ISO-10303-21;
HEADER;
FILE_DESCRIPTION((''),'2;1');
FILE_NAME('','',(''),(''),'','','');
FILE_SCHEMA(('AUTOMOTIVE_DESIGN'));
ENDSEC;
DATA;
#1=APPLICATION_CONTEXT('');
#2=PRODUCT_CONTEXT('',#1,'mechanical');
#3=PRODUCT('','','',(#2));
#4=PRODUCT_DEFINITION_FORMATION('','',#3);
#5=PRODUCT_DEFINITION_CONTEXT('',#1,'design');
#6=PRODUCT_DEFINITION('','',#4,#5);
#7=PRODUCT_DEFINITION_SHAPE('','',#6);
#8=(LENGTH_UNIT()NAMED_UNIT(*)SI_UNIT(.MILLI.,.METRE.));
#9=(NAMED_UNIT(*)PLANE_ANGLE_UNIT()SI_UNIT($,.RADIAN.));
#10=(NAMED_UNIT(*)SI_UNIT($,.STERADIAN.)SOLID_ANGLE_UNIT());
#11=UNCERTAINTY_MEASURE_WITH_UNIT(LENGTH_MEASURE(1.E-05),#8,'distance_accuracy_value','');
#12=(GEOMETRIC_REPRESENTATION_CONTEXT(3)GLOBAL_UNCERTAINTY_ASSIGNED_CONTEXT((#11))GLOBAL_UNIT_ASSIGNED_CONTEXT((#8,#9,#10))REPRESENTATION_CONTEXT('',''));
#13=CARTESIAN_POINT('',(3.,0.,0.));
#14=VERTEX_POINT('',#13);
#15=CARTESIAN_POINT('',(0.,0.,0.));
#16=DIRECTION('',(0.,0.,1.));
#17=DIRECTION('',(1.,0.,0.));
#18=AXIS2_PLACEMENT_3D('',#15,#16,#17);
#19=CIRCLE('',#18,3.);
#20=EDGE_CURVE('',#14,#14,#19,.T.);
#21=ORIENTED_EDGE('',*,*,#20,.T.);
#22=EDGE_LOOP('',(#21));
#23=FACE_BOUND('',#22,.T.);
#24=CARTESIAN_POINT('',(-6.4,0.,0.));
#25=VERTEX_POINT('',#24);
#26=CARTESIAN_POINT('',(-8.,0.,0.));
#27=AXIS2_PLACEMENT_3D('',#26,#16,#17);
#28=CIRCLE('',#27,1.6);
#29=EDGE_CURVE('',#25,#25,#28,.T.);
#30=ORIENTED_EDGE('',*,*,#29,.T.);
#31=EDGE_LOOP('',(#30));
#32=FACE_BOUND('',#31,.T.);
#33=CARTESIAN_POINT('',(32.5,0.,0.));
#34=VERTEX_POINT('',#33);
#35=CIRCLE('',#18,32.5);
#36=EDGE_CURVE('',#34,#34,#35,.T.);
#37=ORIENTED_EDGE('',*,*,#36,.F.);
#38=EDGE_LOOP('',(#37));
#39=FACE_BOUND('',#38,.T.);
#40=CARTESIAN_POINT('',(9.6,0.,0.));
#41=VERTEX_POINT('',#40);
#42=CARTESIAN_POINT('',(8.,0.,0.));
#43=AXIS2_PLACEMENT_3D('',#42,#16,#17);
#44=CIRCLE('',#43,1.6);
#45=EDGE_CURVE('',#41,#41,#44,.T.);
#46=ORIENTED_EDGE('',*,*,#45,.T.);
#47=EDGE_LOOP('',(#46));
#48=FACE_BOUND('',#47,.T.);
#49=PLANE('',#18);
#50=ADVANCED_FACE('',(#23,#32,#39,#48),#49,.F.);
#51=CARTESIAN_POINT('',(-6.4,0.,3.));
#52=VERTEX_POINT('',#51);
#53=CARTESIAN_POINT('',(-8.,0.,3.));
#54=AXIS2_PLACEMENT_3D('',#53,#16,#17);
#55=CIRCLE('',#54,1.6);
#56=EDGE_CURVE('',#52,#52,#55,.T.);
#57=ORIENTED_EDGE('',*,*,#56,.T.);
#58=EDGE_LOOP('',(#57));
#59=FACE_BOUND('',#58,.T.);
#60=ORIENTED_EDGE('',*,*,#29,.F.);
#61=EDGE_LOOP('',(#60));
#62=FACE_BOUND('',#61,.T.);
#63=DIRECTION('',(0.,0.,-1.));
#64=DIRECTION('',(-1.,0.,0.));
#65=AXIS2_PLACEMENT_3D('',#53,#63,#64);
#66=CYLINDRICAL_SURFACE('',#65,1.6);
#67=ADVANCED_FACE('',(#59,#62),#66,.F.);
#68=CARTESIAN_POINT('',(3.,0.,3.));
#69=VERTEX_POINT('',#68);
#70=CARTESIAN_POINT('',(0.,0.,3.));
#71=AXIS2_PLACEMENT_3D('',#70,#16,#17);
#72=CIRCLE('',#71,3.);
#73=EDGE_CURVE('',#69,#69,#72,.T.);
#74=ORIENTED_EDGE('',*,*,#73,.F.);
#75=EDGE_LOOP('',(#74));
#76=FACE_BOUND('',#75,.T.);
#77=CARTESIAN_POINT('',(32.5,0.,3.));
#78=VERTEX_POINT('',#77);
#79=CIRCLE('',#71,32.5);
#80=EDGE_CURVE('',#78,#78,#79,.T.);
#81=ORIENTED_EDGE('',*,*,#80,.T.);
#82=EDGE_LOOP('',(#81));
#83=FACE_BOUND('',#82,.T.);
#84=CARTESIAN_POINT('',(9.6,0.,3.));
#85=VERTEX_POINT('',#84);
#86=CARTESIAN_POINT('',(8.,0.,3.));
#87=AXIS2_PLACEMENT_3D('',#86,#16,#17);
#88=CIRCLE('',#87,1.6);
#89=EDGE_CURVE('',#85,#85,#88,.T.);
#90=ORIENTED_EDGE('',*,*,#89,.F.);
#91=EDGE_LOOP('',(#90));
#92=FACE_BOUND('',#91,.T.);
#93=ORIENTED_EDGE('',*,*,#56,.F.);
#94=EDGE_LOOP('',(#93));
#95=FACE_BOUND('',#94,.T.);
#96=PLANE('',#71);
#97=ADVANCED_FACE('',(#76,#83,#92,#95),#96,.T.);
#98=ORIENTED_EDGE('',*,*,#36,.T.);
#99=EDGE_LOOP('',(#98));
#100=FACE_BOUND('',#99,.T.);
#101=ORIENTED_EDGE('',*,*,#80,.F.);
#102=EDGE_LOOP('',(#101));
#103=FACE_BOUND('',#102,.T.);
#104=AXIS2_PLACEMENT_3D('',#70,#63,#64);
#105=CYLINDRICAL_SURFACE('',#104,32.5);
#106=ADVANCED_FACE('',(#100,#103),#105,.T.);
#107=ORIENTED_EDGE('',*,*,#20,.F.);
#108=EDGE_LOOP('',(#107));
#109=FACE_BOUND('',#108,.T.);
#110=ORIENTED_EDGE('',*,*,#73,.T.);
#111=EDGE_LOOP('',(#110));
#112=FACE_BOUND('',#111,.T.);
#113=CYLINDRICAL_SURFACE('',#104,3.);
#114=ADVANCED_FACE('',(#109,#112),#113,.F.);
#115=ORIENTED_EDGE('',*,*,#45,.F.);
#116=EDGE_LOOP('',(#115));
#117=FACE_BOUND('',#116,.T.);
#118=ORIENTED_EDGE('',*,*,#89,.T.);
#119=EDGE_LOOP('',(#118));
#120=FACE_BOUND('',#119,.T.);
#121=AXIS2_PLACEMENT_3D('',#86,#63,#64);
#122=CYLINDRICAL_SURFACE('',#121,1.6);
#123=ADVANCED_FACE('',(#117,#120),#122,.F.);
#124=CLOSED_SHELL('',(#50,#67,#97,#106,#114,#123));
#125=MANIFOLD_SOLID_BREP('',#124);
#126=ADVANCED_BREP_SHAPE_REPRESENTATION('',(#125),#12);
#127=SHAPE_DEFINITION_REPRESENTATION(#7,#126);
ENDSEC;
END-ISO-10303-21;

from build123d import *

# Parameters (mm, degrees)
ESBO_O1_R                = 32.5
ESBO_O1_R_2              = 3
ESBO_O1_R_3              = 1.6
RESSALTO_EXTRUS_O1_DEPTH = 3


with BuildPart() as part:
    # Esboço1 → Ressalto-extrusão1 (new body)
    with BuildSketch(Plane.XY):
        Circle(ESBO_O1_R)
        Circle(ESBO_O1_R_2, mode=Mode.SUBTRACT)
        with Locations((8, 0)):
            Circle(ESBO_O1_R_3, mode=Mode.SUBTRACT)
        with Locations((-8, 0)):
            Circle(ESBO_O1_R_3, mode=Mode.SUBTRACT)
    extrude(amount=RESSALTO_EXTRUS_O1_DEPTH)


solid = part.part
